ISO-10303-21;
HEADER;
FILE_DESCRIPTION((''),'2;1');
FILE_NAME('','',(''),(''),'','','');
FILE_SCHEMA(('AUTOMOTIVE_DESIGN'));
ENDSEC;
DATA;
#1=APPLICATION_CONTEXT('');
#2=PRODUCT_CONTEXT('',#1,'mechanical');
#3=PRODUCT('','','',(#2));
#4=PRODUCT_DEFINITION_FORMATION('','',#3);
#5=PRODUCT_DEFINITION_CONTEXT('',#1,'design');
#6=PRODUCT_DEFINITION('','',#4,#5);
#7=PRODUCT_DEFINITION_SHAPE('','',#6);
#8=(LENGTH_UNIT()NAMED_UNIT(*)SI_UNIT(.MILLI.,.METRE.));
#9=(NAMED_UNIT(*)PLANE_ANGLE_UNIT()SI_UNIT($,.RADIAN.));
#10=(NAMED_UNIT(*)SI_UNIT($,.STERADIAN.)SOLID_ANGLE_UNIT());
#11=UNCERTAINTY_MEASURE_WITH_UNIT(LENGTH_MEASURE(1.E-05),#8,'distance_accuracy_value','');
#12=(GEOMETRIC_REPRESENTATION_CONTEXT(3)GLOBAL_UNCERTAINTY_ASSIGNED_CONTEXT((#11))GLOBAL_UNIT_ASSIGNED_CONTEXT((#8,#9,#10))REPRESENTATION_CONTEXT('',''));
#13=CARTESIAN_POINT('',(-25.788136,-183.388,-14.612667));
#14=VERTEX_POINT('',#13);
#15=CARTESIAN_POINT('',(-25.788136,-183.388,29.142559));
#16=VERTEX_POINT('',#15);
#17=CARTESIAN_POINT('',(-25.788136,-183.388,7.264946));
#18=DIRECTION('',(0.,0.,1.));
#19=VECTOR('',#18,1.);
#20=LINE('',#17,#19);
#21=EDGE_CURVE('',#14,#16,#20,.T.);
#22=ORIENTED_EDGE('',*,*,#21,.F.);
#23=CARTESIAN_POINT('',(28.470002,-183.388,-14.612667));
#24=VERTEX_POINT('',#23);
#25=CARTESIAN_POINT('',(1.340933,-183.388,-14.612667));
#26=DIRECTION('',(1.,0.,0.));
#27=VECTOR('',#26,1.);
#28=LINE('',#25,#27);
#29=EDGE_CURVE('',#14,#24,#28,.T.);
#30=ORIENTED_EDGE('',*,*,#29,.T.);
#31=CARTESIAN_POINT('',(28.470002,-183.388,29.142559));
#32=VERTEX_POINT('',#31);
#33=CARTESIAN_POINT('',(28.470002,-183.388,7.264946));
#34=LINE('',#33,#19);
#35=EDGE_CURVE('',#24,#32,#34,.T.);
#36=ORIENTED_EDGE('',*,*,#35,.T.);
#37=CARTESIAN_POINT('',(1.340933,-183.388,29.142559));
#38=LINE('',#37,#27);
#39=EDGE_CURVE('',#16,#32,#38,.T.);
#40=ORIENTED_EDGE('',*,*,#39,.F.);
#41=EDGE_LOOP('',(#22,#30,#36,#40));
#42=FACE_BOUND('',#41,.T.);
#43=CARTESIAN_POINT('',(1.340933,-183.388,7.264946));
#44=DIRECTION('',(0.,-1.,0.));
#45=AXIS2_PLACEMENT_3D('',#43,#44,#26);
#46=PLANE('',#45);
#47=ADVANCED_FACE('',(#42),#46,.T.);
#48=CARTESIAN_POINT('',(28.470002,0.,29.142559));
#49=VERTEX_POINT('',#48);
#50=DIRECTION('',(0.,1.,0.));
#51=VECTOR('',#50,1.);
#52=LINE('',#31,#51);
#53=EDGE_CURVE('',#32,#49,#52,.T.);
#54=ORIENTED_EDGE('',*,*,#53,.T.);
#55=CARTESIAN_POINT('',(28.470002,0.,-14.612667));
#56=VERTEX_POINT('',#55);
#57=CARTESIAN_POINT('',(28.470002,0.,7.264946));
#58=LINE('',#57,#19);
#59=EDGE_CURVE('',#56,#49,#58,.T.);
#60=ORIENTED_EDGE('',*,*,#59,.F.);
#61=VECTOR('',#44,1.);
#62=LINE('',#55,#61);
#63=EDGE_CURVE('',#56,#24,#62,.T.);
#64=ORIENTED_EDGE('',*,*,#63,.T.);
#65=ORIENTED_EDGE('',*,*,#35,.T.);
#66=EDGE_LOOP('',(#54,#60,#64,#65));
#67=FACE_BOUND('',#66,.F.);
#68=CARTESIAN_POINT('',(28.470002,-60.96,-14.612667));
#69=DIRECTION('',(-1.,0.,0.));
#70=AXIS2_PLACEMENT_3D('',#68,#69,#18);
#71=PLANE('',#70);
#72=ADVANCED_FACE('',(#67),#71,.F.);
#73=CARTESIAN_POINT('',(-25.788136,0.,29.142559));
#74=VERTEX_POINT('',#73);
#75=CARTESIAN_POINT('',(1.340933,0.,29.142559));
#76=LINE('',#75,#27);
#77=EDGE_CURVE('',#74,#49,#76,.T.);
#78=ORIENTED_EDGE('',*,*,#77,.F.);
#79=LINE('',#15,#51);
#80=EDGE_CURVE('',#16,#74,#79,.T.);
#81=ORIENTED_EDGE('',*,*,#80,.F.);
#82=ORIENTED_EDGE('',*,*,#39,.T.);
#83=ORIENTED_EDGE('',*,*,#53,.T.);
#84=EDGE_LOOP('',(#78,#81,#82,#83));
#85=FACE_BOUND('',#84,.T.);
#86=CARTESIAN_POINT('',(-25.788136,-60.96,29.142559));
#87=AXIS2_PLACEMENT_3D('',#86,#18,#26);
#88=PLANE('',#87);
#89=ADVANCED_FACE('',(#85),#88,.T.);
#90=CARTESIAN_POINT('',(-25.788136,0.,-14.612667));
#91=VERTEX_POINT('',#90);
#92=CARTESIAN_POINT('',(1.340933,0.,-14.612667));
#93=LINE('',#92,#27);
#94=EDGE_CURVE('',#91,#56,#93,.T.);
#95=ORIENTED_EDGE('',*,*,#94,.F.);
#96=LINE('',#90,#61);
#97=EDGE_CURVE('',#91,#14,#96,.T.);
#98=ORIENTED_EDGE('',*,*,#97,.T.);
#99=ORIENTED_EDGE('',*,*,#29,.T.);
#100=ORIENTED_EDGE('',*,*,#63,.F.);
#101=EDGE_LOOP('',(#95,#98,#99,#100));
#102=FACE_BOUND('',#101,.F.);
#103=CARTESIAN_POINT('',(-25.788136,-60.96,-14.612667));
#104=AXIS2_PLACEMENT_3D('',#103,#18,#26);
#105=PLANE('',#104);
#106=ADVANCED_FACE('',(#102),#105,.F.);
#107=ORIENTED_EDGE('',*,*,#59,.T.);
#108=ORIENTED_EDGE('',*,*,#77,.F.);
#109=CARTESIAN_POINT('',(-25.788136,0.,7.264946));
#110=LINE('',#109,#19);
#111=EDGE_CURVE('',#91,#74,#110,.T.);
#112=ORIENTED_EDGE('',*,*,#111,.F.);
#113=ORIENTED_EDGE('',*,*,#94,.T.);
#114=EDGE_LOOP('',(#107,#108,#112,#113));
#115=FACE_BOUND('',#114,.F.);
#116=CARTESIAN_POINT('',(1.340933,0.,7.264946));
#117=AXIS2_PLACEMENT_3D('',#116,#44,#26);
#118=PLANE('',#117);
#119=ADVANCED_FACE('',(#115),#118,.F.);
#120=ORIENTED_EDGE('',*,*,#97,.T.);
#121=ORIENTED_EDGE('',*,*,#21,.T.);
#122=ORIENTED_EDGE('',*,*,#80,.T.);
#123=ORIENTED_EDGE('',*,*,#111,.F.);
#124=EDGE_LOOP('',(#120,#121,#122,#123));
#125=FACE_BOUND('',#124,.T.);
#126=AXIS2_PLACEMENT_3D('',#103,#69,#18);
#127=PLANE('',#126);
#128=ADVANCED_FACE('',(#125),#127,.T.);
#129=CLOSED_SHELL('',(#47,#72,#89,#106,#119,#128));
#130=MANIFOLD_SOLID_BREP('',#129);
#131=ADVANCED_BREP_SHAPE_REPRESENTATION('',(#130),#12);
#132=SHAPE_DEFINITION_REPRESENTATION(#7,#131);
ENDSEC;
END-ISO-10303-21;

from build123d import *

# Parameters (mm, degrees)
F0_W      = 54.258138
F0_H      = 43.755226
F1_DEPTH  = 60.96
F1_FACE_W = 54.258138
F1_FACE_H = 43.755226
F2_DEPTH  = 40.386
F3_DEPTH  = 122.428


with BuildPart() as f1:
    # F0 (on Front) → F1 (new body)
    with BuildSketch(Plane.XZ):
        with Locations((1.340933, 7.264946)):
            Rectangle(F0_W, F0_H)
    extrude(amount=F1_DEPTH)

    # F1_face (on face) → F2 (join)
    with BuildSketch(Plane(origin=(1.340933, -60.96, 7.264946), x_dir=(1, 0, 0), z_dir=(0, -1, 0))):
        Rectangle(F1_FACE_W, F1_FACE_H)
    extrude(amount=-F2_DEPTH)

    # F1_face (on face) → F3 (join)
    with BuildSketch(Plane(origin=(1.340933, -60.96, 7.264946), x_dir=(1, 0, 0), z_dir=(0, -1, 0))):
        Rectangle(F1_FACE_W, F1_FACE_H)
    extrude(amount=F3_DEPTH)


solid = f1.part
